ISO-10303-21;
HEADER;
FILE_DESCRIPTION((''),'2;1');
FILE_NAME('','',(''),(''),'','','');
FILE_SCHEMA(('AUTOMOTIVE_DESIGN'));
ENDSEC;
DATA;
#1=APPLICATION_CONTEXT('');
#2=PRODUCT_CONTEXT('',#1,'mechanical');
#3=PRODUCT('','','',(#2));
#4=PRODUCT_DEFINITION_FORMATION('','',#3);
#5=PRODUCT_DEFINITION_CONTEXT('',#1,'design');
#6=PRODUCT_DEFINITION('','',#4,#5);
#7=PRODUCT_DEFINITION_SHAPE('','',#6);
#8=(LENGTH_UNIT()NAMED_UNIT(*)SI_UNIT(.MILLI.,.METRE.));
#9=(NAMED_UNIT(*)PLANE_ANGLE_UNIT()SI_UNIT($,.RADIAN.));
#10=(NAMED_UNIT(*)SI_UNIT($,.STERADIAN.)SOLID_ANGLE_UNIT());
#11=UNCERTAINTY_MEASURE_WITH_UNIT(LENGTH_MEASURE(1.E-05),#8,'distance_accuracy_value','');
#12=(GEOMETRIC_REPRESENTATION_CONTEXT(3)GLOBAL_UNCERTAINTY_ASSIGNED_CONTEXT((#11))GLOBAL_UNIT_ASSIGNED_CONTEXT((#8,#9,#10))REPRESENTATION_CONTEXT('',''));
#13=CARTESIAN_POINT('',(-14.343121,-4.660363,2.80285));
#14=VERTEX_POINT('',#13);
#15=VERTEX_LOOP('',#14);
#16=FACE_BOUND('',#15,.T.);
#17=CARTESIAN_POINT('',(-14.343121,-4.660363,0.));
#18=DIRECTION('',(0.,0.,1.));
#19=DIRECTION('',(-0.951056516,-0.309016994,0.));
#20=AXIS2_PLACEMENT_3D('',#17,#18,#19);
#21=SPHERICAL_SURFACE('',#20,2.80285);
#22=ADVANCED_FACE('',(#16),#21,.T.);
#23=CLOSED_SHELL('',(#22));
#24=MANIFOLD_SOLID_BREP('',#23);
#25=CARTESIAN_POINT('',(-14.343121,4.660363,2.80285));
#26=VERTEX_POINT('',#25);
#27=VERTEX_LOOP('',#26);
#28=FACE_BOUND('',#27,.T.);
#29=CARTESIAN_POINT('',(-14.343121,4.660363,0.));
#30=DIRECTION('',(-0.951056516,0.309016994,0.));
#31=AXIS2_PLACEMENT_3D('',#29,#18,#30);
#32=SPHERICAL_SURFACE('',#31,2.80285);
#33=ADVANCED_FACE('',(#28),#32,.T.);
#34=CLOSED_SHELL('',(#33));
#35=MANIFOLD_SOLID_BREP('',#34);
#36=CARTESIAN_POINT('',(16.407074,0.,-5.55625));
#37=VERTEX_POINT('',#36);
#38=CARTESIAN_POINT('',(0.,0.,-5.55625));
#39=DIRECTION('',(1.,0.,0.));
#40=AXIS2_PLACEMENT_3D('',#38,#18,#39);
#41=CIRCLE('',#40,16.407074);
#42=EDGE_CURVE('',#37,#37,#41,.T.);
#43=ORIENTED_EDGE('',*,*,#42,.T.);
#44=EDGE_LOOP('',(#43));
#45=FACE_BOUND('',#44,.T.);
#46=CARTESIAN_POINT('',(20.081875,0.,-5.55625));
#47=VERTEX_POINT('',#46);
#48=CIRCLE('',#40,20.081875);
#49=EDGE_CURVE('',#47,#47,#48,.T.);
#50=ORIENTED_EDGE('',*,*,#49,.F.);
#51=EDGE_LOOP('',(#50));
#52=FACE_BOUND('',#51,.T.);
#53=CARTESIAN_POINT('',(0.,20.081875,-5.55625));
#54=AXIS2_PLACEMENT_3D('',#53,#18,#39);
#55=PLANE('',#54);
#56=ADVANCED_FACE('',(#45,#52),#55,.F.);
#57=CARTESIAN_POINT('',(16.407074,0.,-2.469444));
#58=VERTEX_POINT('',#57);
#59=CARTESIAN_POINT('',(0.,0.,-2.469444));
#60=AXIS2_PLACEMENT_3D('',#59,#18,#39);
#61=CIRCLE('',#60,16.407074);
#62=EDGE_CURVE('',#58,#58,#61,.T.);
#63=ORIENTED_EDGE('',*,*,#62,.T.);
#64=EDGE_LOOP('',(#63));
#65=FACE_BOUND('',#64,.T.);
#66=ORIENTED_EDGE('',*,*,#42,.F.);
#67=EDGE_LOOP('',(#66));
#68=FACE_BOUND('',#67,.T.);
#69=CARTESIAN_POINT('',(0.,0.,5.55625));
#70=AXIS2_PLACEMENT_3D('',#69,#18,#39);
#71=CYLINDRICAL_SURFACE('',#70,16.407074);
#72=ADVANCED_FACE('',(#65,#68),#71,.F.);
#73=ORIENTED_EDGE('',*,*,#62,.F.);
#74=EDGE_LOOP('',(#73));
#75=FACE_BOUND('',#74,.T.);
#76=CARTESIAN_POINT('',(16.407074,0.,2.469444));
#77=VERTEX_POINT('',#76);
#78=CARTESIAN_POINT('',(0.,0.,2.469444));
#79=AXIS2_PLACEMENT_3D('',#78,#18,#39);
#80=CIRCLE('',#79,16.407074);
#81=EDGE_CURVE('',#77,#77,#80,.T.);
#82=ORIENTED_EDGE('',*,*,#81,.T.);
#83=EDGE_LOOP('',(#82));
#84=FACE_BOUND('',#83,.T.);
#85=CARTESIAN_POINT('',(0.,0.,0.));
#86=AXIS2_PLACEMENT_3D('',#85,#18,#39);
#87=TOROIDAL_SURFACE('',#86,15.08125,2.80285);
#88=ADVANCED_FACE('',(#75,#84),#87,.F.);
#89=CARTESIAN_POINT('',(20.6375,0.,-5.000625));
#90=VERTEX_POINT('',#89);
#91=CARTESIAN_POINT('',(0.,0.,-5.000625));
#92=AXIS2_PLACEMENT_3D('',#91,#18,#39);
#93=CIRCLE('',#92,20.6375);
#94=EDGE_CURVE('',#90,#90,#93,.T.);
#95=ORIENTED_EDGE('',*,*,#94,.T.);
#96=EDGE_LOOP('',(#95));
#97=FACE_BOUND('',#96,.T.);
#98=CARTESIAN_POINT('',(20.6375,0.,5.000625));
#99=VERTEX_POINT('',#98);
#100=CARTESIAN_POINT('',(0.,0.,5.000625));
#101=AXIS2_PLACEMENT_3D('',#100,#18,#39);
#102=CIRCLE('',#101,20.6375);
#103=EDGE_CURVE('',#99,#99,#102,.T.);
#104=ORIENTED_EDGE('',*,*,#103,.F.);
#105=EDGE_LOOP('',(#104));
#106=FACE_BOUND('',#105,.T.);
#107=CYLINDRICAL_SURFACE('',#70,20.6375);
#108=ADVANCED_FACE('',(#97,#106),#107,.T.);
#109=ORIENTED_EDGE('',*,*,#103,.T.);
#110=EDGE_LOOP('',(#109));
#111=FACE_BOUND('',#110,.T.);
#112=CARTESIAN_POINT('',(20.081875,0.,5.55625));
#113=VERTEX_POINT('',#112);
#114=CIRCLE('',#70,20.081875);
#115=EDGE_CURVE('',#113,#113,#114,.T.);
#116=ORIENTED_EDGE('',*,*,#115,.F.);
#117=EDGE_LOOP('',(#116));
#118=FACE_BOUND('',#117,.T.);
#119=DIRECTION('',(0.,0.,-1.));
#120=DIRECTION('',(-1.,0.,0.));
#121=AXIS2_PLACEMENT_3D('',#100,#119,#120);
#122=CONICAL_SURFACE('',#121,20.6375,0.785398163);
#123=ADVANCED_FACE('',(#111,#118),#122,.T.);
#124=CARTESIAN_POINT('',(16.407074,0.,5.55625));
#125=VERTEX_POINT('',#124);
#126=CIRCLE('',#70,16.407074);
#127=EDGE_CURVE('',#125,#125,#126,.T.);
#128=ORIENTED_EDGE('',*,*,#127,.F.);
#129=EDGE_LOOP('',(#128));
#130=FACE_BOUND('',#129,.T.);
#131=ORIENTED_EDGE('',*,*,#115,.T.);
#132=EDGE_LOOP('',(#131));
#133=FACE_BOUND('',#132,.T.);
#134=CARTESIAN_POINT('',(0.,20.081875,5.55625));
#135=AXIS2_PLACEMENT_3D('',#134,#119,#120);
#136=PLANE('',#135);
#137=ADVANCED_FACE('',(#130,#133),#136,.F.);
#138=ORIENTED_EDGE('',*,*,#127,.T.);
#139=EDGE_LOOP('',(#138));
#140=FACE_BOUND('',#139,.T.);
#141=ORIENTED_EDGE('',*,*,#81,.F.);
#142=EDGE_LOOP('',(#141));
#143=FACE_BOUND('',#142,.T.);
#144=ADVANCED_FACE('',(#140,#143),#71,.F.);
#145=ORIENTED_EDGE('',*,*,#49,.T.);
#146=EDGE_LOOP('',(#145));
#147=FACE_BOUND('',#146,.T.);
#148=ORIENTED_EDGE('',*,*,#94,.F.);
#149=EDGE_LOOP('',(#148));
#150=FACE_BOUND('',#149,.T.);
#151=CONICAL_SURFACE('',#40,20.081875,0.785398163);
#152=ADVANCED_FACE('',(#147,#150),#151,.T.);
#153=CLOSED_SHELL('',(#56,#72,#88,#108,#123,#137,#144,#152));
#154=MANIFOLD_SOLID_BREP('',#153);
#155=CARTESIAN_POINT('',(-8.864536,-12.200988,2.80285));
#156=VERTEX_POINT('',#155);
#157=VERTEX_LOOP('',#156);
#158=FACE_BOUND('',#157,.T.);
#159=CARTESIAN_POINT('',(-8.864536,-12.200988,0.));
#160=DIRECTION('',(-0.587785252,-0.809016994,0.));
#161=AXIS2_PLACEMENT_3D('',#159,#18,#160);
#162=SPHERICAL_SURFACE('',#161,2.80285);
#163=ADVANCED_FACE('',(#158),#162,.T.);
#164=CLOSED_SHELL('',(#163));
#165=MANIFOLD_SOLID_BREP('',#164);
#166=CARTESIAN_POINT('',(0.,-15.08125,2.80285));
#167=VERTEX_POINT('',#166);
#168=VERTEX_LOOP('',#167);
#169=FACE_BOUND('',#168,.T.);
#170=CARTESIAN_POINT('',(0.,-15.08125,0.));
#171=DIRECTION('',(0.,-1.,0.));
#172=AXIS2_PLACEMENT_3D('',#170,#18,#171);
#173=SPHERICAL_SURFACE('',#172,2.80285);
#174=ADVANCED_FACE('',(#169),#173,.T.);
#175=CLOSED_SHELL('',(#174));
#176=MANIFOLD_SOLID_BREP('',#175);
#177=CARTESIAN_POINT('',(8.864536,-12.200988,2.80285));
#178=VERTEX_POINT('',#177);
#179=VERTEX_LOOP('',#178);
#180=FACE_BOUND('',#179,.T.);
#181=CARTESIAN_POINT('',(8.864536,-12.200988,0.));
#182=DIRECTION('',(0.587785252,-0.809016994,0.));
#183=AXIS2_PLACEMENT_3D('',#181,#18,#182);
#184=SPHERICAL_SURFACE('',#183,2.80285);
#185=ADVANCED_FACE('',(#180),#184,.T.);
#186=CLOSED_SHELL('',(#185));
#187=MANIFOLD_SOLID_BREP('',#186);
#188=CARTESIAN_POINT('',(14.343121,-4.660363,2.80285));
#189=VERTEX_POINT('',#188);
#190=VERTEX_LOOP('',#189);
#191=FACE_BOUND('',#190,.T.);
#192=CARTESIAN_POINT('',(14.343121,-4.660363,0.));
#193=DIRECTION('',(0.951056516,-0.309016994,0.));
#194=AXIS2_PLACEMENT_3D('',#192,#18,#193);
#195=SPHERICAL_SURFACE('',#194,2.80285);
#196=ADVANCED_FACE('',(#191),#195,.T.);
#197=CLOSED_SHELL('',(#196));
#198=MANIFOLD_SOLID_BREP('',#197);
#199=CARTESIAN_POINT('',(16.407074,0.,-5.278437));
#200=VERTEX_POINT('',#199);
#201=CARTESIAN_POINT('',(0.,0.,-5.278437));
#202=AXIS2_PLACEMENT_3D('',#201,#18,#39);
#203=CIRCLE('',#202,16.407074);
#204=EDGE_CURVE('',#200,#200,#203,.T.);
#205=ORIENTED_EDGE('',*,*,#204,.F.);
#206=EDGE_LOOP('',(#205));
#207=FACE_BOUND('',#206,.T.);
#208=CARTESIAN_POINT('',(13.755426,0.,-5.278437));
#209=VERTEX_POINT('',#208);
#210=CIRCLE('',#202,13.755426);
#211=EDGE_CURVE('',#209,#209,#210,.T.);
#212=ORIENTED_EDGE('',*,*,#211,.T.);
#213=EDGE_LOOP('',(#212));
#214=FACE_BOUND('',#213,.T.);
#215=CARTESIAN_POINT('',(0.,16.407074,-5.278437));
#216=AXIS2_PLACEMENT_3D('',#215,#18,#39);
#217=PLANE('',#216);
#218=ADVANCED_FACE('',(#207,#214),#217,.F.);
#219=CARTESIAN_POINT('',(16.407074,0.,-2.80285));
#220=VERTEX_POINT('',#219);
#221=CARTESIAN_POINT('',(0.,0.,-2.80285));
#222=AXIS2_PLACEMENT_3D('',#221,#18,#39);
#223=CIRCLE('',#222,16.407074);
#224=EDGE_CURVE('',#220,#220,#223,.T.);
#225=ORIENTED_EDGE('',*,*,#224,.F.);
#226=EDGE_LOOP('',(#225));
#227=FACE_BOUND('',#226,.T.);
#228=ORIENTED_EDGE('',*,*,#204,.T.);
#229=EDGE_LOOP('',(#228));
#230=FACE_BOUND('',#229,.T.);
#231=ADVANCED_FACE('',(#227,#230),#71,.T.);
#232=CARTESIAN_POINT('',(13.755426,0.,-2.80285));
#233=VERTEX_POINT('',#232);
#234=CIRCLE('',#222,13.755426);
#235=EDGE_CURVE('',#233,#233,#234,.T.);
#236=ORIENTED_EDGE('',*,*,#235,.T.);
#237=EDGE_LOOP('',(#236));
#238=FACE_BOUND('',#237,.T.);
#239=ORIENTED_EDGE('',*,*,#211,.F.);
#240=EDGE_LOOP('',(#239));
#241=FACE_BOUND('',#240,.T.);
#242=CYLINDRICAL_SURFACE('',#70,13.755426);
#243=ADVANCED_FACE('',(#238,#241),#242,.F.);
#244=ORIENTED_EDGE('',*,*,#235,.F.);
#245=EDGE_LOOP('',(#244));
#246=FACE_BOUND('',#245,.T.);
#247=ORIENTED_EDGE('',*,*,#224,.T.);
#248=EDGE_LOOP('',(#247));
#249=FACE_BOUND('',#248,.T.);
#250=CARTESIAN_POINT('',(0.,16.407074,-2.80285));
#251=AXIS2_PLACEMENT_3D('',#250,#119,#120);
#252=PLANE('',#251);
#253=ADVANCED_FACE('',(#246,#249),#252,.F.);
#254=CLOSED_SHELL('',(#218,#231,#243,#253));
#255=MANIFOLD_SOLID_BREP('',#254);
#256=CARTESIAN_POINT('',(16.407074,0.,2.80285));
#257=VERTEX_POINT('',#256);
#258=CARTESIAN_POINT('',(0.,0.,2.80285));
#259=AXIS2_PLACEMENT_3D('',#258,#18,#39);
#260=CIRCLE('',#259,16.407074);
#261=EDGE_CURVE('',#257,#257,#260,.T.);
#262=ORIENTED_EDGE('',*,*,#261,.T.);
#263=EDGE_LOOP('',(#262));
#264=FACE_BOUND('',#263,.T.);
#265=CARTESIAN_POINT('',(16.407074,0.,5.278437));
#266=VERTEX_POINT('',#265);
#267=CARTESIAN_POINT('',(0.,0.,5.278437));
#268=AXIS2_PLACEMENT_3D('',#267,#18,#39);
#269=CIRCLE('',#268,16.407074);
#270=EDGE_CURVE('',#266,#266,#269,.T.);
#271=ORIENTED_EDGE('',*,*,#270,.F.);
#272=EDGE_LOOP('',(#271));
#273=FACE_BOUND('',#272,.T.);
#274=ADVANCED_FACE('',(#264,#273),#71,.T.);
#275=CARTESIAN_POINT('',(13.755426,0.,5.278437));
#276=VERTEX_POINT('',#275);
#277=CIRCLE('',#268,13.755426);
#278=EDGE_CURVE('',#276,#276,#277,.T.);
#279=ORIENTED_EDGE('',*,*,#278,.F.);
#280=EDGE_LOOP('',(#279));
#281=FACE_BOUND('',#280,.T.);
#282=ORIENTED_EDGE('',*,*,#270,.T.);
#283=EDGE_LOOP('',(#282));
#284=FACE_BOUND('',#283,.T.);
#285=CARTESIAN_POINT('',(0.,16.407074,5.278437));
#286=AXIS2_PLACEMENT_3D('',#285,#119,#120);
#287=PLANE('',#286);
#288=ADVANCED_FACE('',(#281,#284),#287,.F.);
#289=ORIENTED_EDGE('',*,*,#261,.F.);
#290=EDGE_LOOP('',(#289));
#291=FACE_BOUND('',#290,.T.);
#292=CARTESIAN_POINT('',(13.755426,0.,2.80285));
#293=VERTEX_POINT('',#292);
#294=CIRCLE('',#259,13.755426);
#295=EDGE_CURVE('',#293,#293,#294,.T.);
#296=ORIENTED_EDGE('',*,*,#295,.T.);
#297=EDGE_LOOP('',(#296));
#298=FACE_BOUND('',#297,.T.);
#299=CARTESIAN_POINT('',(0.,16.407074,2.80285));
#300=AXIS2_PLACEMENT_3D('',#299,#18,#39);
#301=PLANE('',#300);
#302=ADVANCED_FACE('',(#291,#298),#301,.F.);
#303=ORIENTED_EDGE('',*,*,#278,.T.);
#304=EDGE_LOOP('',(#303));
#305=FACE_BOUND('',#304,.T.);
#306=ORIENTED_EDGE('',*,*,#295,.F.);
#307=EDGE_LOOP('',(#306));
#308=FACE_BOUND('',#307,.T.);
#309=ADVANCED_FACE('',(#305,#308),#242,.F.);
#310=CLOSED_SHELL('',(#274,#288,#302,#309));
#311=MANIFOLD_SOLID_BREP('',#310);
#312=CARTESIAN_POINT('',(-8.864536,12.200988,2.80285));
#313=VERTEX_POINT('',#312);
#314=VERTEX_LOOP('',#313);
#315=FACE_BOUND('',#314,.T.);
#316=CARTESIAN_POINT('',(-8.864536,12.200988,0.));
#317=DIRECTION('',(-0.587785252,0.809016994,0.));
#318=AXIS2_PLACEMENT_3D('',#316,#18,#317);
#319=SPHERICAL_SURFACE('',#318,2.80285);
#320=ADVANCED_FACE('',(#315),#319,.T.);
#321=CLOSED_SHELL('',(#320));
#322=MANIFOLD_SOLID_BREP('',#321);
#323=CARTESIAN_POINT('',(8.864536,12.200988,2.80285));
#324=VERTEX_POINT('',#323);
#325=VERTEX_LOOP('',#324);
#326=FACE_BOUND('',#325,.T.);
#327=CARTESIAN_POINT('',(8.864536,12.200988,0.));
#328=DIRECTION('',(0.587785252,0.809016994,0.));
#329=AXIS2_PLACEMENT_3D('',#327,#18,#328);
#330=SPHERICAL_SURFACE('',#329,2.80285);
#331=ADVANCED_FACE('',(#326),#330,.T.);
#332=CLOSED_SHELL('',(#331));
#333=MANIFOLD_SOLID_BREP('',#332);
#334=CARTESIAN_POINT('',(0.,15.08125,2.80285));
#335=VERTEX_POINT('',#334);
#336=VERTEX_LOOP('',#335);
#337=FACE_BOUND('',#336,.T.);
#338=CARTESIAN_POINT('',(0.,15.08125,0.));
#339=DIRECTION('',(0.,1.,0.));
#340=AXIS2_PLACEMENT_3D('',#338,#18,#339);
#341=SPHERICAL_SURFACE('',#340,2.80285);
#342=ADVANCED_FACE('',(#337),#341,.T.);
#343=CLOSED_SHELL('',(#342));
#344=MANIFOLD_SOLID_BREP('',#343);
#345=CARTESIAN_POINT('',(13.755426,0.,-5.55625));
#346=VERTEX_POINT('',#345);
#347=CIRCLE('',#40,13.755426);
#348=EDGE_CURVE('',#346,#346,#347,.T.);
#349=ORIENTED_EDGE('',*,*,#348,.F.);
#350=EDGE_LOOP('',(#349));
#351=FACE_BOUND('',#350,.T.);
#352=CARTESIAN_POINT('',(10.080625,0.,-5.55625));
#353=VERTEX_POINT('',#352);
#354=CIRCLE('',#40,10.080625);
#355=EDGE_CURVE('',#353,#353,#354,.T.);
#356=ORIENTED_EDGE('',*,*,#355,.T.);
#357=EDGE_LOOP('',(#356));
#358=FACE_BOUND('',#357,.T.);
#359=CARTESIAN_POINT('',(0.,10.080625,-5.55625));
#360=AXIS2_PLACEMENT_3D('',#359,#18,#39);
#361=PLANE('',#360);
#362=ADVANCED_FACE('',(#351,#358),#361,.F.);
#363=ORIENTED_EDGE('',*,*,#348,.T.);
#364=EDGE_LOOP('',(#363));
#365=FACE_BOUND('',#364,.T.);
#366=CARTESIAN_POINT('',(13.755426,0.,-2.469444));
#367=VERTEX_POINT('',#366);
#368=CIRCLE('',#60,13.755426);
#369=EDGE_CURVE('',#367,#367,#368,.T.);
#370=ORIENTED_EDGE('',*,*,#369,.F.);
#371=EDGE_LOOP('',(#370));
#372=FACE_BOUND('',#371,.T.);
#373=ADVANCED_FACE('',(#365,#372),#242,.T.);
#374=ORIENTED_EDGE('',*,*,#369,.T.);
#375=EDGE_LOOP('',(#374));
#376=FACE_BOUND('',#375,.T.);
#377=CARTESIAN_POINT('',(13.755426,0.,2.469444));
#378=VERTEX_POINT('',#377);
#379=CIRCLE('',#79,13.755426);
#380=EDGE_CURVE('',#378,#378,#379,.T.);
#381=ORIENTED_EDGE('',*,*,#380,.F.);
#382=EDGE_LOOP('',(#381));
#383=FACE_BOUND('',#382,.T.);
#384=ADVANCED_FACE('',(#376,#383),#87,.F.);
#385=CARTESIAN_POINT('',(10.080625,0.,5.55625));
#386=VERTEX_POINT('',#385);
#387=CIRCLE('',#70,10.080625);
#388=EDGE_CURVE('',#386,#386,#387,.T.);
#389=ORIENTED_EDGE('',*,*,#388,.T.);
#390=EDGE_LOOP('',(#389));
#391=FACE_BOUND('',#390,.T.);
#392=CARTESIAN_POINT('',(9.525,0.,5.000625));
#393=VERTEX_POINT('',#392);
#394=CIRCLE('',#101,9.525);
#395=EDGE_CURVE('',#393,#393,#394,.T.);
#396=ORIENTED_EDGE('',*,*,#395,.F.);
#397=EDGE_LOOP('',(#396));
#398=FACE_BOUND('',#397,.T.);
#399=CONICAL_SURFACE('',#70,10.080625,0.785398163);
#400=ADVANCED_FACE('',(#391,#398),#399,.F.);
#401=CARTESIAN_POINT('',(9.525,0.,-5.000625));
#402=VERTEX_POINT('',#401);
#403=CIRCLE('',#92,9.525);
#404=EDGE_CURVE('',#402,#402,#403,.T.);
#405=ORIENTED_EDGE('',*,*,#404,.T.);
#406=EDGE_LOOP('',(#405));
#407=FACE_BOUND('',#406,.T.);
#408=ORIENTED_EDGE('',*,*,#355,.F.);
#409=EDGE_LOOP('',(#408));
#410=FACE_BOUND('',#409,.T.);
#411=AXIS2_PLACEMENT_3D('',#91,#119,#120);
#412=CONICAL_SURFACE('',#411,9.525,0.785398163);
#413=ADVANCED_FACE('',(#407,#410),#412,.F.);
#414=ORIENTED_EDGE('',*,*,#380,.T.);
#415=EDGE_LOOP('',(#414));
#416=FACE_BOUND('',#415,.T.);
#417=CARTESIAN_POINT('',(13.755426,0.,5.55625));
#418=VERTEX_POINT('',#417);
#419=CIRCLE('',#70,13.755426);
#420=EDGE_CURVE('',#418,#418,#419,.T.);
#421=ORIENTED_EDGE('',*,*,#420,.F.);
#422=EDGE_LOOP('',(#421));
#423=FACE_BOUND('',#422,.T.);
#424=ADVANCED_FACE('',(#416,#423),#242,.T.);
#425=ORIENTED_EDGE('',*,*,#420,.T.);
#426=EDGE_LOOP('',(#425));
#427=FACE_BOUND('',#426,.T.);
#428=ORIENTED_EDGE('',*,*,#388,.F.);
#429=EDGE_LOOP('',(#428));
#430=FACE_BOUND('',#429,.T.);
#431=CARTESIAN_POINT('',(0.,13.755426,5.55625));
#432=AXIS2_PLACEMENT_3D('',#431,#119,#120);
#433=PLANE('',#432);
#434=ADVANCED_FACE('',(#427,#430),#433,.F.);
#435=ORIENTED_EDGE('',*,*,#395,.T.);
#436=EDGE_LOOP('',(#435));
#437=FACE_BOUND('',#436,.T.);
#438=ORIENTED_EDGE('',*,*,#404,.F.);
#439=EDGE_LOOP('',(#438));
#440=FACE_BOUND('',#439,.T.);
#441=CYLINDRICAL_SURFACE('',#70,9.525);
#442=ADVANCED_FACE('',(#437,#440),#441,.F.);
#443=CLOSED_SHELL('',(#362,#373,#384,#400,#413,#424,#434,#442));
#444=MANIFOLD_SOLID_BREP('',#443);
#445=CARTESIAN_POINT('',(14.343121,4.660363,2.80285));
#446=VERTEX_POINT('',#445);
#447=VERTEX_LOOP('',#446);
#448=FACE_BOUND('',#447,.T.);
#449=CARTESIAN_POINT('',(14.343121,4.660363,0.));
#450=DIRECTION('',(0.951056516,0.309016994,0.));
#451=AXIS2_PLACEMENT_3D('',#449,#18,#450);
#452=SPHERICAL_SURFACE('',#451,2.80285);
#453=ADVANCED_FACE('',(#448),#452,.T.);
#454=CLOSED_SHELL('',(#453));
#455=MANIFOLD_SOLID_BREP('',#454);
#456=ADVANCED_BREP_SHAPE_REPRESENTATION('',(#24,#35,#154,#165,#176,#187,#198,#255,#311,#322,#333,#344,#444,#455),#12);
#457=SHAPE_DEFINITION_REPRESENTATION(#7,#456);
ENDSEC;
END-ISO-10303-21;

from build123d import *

# Parameters (mm, degrees)
CIRPATTERN1_COUNT = 10
SKETCH5_W         = 2.475587948
SKETCH5_H         = 2.651648352


with BuildPart() as part:
    # Sketch1 → Revolve1 (revolve)
    with BuildSketch(Plane(origin=(0, 0, 0), x_dir=(0, 0, -1), z_dir=(1, 0, 0))):
        with BuildLine():
            Line((5.000625, 20.6375), (-5.000625, 20.6375))
            Line((-5.000625, 20.6375), (-5.55625, 20.081875))
            Line((-5.55625, 20.081875), (-5.55625, 16.407074176))
            Line((-5.55625, 16.407074176), (-2.469444444, 16.407074176))
            ThreePointArc((-2.469444444, 16.407074176), (0, 17.884099552), (2.469444444, 16.407074176))
            Line((2.469444444, 16.407074176), (5.55625, 16.407074176))
            Line((5.55625, 16.407074176), (5.55625, 20.081875))
            Line((5.55625, 20.081875), (5.000625, 20.6375))
        make_face()
    revolve(axis=Axis((0, 0, 5.55625), (0, 0, -1)))


with BuildPart() as body_2:
    # Sketch3 → Revolve3 (revolve)
    with BuildSketch(Plane(origin=(0, 0, 0), x_dir=(0, 0, -1), z_dir=(1, 0, 0))):
        with BuildLine():
            Line((-5.55625, 13.755425824), (-2.469444444, 13.755425824))
            ThreePointArc((-2.469444444, 13.755425824), (0, 12.278400448), (2.469444444, 13.755425824))
            Line((2.469444444, 13.755425824), (5.55625, 13.755425824))
            Line((5.55625, 13.755425824), (5.55625, 10.080625))
            Line((5.55625, 10.080625), (5.000625, 9.525))
            Line((5.000625, 9.525), (-5.000625, 9.525))
            Line((-5.000625, 9.525), (-5.55625, 10.080625))
            Line((-5.55625, 10.080625), (-5.55625, 13.755425824))
        make_face()
    revolve(axis=Axis((0, 0, 5.55625), (0, 0, -1)))


with BuildPart() as body_3:
    # Sketch4 → Revolve4 (revolve)
    with BuildSketch(Plane(origin=(0, 0, 0), x_dir=(0, 0, -1), z_dir=(1, 0, 0))):
        with BuildLine():
            Line((-2.802849552, 15.08125), (2.802849552, 15.08125))
            ThreePointArc((2.802849552, 15.08125), (0, 17.884099552), (-2.802849552, 15.08125))
        make_face()
    revolve(axis=Axis((0, 15.08125, 2.802849552), (0, 0, -1)))


with BuildPart() as cirpattern1_1:
    # CirPattern1: pattern copy
    add(body_3.part.rotate(Axis((0, 0, -5.55625), (0, 0, 1)), 1 * 360 / CIRPATTERN1_COUNT))


with BuildPart() as cirpattern1_2:
    # CirPattern1: pattern copy
    add(body_3.part.rotate(Axis((0, 0, -5.55625), (0, 0, 1)), 2 * 360 / CIRPATTERN1_COUNT))


with BuildPart() as cirpattern1_3:
    # CirPattern1: pattern copy
    add(body_3.part.rotate(Axis((0, 0, -5.55625), (0, 0, 1)), 3 * 360 / CIRPATTERN1_COUNT))


with BuildPart() as cirpattern1_4:
    # CirPattern1: pattern copy
    add(body_3.part.rotate(Axis((0, 0, -5.55625), (0, 0, 1)), 4 * 360 / CIRPATTERN1_COUNT))


with BuildPart() as cirpattern1_5:
    # CirPattern1: pattern copy
    add(body_3.part.rotate(Axis((0, 0, -5.55625), (0, 0, 1)), 5 * 360 / CIRPATTERN1_COUNT))


with BuildPart() as cirpattern1_6:
    # CirPattern1: pattern copy
    add(body_3.part.rotate(Axis((0, 0, -5.55625), (0, 0, 1)), 6 * 360 / CIRPATTERN1_COUNT))


with BuildPart() as cirpattern1_7:
    # CirPattern1: pattern copy
    add(body_3.part.rotate(Axis((0, 0, -5.55625), (0, 0, 1)), 7 * 360 / CIRPATTERN1_COUNT))


with BuildPart() as cirpattern1_8:
    # CirPattern1: pattern copy
    add(body_3.part.rotate(Axis((0, 0, -5.55625), (0, 0, 1)), 8 * 360 / CIRPATTERN1_COUNT))


with BuildPart() as cirpattern1_9:
    # CirPattern1: pattern copy
    add(body_3.part.rotate(Axis((0, 0, -5.55625), (0, 0, 1)), 9 * 360 / CIRPATTERN1_COUNT))


with BuildPart() as body_13:
    # Sketch5 → Revolve5 (revolve)
    with BuildSketch(Plane(origin=(0, 0, 0), x_dir=(0, 0, -1), z_dir=(1, 0, 0))):
        with Locations((-4.040643526, 15.08125)):
            Rectangle(SKETCH5_W, SKETCH5_H)
        with Locations((4.040643526, 15.08125)):
            Rectangle(SKETCH5_W, SKETCH5_H)
    revolve(axis=Axis((0, 0, 5.55625), (0, 0, -1)))


solid = Compound([part.part, body_2.part, body_3.part, cirpattern1_1.part, cirpattern1_2.part, cirpattern1_3.part, cirpattern1_4.part, cirpattern1_5.part, cirpattern1_6.part, cirpattern1_7.part, cirpattern1_8.part, cirpattern1_9.part, body_13.part])
